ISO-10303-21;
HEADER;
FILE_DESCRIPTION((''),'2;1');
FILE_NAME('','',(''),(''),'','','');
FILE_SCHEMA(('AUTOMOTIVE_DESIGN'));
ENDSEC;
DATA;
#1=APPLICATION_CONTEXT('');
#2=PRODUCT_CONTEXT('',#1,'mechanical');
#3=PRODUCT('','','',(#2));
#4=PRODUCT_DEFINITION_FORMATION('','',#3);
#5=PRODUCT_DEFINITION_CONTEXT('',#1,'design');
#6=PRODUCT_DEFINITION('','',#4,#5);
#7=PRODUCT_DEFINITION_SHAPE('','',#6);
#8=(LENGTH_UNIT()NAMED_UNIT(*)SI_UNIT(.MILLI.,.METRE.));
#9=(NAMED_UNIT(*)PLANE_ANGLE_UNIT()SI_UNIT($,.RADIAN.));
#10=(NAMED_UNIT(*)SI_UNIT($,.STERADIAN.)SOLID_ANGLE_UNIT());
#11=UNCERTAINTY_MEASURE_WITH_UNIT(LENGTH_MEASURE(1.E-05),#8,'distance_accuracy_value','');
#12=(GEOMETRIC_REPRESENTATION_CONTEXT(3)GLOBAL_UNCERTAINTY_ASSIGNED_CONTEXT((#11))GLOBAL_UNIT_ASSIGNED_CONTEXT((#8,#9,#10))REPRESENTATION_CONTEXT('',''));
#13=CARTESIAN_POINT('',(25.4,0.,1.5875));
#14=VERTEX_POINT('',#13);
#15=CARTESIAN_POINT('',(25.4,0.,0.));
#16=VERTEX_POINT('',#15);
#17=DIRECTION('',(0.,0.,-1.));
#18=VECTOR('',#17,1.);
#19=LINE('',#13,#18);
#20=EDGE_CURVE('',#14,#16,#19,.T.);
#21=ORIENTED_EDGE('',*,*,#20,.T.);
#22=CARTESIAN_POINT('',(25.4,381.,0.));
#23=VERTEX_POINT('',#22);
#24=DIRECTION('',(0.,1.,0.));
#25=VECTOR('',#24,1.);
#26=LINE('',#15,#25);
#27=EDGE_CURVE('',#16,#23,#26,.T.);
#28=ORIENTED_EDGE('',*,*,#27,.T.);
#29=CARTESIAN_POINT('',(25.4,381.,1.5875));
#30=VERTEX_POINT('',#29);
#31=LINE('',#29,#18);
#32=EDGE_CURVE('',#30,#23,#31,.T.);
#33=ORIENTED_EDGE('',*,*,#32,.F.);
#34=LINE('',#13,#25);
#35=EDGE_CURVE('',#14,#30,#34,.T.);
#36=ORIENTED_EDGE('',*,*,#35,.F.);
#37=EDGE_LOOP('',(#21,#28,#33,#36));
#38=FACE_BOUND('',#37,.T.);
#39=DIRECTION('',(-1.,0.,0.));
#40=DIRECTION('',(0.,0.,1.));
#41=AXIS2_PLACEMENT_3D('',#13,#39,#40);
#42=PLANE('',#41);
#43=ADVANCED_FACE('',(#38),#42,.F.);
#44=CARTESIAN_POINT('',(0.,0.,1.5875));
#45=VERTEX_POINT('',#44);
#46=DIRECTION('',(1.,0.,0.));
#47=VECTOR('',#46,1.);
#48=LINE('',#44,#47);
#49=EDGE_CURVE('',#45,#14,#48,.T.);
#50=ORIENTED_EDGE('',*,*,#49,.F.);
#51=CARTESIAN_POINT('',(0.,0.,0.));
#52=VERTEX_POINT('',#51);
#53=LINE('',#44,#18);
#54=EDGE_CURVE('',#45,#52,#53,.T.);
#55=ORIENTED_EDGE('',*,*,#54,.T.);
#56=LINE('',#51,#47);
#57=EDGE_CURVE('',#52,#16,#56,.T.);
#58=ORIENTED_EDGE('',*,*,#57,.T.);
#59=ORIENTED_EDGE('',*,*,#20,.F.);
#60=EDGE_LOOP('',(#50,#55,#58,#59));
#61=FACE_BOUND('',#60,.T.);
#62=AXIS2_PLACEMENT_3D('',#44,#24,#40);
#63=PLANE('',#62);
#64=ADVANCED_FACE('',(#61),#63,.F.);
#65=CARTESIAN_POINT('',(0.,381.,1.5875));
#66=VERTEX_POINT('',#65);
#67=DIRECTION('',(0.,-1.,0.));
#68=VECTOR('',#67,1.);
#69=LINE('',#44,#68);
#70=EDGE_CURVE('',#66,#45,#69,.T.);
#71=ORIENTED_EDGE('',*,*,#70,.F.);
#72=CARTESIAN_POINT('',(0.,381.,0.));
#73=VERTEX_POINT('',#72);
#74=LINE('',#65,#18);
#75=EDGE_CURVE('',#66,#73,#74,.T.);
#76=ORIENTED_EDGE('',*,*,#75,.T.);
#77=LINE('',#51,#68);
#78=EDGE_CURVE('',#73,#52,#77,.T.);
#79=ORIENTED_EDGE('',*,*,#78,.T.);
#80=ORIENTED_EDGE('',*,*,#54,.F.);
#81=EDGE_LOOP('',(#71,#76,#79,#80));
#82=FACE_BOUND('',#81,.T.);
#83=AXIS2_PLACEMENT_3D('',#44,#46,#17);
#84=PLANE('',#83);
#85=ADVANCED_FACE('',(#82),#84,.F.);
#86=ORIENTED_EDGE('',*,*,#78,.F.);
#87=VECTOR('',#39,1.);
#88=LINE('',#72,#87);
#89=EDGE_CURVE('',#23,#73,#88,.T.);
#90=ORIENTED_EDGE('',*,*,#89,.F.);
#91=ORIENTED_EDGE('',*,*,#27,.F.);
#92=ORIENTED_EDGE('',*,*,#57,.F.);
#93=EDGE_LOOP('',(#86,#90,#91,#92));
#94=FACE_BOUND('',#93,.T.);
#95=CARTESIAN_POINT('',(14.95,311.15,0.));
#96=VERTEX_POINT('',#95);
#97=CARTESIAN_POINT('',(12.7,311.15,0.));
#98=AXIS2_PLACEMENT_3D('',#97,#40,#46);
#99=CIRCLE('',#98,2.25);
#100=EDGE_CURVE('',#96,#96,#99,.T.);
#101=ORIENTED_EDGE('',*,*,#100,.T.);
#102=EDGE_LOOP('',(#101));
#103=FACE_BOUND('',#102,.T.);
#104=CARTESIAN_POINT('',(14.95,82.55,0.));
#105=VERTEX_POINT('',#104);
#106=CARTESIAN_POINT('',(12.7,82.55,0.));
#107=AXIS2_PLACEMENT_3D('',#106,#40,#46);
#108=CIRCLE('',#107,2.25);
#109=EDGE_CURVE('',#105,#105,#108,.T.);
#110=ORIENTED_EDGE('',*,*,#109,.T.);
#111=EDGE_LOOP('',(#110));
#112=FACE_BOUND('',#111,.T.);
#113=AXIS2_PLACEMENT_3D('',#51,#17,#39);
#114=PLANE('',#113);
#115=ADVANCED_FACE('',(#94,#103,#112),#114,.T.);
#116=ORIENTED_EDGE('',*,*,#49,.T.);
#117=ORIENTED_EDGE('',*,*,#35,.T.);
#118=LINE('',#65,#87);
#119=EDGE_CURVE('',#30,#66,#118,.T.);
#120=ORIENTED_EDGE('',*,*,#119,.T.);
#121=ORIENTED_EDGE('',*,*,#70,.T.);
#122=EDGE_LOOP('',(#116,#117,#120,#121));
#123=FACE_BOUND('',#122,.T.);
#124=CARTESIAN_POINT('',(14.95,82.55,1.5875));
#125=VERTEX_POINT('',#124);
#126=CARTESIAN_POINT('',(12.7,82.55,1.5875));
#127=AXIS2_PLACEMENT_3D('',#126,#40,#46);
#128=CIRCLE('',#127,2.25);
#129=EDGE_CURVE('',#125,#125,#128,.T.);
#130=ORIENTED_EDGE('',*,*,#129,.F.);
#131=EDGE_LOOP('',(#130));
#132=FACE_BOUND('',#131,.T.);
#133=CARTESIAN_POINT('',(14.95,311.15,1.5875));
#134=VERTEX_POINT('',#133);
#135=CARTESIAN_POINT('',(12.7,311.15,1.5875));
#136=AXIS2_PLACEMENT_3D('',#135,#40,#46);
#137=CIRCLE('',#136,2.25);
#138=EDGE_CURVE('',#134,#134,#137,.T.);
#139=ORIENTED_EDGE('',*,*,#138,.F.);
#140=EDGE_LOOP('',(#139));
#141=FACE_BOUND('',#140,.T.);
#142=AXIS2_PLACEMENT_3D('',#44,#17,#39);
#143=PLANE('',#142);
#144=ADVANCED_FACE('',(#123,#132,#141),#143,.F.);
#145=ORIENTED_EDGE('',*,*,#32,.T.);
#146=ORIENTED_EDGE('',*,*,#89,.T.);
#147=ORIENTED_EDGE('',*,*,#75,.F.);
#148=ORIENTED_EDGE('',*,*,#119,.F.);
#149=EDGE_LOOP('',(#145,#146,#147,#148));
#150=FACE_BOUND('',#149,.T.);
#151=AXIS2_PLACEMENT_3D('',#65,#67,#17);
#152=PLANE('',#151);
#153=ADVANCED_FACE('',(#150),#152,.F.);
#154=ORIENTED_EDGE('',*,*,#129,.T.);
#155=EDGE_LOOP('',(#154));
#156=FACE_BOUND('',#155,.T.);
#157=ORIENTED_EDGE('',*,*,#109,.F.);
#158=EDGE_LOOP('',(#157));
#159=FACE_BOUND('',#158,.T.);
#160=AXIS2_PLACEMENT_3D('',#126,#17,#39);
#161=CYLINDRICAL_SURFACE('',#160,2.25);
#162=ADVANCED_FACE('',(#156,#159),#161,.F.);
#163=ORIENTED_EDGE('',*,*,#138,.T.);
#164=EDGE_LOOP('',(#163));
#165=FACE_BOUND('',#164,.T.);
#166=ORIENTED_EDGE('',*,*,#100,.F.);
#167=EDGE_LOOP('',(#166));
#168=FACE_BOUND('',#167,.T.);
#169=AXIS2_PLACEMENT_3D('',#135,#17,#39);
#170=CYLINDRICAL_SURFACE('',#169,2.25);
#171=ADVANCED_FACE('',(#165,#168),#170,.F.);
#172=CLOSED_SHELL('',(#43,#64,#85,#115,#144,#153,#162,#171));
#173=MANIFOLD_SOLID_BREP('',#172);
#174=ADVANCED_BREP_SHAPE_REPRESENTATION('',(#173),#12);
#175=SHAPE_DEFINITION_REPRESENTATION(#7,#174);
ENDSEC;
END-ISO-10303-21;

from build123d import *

# Parameters (mm, degrees)
SKETCH1_W           = 25.4
SKETCH1_H           = 381
SKETCH1_R           = 2.25
BOSS_EXTRUDE1_DEPTH = 1.5875


with BuildPart() as part:
    # Sketch1 → Boss-Extrude1 (new body)
    with BuildSketch(Plane.XY):
        with Locations((12.7, 190.5)):
            Rectangle(SKETCH1_W, SKETCH1_H)
        with Locations((12.7, 82.55)):
            Circle(SKETCH1_R, mode=Mode.SUBTRACT)
        with Locations((12.7, 311.15)):
            Circle(SKETCH1_R, mode=Mode.SUBTRACT)
    extrude(amount=BOSS_EXTRUDE1_DEPTH)


solid = part.part
